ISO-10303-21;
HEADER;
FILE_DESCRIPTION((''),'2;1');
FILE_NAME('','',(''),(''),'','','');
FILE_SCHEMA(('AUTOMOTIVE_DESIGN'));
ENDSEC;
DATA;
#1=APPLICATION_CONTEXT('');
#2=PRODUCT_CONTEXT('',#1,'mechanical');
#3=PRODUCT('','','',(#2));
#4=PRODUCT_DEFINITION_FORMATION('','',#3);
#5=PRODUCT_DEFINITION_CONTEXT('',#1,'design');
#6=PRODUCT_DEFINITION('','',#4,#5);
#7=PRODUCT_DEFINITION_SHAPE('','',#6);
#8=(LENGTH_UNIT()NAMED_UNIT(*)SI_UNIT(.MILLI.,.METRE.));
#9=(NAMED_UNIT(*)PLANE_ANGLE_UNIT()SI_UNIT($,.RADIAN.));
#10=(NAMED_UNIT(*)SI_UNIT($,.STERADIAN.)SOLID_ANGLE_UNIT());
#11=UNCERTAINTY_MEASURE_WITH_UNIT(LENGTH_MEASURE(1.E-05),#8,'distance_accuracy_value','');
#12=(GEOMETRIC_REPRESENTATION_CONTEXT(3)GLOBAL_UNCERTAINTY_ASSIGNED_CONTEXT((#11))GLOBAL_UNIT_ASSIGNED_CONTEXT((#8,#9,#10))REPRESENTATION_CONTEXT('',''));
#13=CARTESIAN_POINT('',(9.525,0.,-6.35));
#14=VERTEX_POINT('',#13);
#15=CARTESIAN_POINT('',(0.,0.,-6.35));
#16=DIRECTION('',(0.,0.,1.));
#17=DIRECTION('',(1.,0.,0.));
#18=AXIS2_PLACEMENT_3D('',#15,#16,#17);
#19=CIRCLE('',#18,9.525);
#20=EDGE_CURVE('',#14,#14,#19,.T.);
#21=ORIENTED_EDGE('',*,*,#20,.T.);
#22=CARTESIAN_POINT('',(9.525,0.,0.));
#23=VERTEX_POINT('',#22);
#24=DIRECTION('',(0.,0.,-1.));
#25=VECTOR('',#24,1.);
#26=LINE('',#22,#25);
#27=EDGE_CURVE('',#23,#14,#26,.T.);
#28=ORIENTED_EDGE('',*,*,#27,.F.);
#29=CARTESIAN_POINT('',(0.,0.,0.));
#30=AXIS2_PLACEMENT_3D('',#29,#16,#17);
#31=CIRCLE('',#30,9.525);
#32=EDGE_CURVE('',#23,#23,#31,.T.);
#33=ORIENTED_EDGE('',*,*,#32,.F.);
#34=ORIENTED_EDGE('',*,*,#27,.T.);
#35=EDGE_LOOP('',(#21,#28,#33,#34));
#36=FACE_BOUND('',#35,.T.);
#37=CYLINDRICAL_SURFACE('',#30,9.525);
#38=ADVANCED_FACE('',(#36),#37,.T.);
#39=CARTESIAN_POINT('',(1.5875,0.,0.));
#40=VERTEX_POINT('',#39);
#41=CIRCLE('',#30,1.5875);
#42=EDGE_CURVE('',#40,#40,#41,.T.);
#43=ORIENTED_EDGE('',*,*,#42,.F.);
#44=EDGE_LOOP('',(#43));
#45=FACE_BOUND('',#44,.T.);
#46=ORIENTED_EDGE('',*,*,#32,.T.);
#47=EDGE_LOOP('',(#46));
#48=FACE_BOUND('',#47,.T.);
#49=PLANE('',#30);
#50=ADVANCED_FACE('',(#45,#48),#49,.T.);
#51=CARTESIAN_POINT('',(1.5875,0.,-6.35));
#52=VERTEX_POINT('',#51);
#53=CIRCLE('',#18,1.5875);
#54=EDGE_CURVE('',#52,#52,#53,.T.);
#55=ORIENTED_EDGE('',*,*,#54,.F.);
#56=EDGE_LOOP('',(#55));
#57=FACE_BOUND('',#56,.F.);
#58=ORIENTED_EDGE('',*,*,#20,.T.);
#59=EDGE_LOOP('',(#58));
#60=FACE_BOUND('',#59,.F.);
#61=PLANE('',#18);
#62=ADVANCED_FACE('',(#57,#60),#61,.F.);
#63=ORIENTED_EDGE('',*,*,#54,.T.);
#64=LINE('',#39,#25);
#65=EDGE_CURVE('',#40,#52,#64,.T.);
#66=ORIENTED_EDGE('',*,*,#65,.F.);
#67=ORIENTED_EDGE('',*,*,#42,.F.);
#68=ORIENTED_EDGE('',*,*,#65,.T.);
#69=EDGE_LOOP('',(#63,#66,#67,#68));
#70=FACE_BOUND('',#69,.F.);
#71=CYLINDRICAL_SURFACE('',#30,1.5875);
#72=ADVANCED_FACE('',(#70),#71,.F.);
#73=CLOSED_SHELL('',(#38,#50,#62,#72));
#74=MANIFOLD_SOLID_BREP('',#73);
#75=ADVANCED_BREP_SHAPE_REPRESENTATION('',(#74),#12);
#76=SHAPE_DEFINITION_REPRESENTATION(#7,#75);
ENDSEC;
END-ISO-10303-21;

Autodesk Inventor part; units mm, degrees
ref_plane "YZ Plane" through (0, 0, 0) normal (1, 0, 0) x (0, 1, 0)
ref_plane "XZ Plane" through (0, 0, 0) normal (0, 1, 0) x (-1, 0, 0)
ref_plane "XY Plane" through (0, 0, 0) normal (0, 0, 1) x (1, 0, 0)
sketch "Sketch1" plane through (0, 0, 0) normal (0, 0, 1) x (1, 0, 0)
  circle A0 centre (0, 0) radius 9.525
  circle A1 centre (0, 0) radius 1.5875
  dimension "d0" = 3.175
  dimension "d1" = 19.05
extrude "Extrusion1" add sketch "Sketch1" against normal blind 6.35
properties part number "Bronze" material "Bronze, Cast"
